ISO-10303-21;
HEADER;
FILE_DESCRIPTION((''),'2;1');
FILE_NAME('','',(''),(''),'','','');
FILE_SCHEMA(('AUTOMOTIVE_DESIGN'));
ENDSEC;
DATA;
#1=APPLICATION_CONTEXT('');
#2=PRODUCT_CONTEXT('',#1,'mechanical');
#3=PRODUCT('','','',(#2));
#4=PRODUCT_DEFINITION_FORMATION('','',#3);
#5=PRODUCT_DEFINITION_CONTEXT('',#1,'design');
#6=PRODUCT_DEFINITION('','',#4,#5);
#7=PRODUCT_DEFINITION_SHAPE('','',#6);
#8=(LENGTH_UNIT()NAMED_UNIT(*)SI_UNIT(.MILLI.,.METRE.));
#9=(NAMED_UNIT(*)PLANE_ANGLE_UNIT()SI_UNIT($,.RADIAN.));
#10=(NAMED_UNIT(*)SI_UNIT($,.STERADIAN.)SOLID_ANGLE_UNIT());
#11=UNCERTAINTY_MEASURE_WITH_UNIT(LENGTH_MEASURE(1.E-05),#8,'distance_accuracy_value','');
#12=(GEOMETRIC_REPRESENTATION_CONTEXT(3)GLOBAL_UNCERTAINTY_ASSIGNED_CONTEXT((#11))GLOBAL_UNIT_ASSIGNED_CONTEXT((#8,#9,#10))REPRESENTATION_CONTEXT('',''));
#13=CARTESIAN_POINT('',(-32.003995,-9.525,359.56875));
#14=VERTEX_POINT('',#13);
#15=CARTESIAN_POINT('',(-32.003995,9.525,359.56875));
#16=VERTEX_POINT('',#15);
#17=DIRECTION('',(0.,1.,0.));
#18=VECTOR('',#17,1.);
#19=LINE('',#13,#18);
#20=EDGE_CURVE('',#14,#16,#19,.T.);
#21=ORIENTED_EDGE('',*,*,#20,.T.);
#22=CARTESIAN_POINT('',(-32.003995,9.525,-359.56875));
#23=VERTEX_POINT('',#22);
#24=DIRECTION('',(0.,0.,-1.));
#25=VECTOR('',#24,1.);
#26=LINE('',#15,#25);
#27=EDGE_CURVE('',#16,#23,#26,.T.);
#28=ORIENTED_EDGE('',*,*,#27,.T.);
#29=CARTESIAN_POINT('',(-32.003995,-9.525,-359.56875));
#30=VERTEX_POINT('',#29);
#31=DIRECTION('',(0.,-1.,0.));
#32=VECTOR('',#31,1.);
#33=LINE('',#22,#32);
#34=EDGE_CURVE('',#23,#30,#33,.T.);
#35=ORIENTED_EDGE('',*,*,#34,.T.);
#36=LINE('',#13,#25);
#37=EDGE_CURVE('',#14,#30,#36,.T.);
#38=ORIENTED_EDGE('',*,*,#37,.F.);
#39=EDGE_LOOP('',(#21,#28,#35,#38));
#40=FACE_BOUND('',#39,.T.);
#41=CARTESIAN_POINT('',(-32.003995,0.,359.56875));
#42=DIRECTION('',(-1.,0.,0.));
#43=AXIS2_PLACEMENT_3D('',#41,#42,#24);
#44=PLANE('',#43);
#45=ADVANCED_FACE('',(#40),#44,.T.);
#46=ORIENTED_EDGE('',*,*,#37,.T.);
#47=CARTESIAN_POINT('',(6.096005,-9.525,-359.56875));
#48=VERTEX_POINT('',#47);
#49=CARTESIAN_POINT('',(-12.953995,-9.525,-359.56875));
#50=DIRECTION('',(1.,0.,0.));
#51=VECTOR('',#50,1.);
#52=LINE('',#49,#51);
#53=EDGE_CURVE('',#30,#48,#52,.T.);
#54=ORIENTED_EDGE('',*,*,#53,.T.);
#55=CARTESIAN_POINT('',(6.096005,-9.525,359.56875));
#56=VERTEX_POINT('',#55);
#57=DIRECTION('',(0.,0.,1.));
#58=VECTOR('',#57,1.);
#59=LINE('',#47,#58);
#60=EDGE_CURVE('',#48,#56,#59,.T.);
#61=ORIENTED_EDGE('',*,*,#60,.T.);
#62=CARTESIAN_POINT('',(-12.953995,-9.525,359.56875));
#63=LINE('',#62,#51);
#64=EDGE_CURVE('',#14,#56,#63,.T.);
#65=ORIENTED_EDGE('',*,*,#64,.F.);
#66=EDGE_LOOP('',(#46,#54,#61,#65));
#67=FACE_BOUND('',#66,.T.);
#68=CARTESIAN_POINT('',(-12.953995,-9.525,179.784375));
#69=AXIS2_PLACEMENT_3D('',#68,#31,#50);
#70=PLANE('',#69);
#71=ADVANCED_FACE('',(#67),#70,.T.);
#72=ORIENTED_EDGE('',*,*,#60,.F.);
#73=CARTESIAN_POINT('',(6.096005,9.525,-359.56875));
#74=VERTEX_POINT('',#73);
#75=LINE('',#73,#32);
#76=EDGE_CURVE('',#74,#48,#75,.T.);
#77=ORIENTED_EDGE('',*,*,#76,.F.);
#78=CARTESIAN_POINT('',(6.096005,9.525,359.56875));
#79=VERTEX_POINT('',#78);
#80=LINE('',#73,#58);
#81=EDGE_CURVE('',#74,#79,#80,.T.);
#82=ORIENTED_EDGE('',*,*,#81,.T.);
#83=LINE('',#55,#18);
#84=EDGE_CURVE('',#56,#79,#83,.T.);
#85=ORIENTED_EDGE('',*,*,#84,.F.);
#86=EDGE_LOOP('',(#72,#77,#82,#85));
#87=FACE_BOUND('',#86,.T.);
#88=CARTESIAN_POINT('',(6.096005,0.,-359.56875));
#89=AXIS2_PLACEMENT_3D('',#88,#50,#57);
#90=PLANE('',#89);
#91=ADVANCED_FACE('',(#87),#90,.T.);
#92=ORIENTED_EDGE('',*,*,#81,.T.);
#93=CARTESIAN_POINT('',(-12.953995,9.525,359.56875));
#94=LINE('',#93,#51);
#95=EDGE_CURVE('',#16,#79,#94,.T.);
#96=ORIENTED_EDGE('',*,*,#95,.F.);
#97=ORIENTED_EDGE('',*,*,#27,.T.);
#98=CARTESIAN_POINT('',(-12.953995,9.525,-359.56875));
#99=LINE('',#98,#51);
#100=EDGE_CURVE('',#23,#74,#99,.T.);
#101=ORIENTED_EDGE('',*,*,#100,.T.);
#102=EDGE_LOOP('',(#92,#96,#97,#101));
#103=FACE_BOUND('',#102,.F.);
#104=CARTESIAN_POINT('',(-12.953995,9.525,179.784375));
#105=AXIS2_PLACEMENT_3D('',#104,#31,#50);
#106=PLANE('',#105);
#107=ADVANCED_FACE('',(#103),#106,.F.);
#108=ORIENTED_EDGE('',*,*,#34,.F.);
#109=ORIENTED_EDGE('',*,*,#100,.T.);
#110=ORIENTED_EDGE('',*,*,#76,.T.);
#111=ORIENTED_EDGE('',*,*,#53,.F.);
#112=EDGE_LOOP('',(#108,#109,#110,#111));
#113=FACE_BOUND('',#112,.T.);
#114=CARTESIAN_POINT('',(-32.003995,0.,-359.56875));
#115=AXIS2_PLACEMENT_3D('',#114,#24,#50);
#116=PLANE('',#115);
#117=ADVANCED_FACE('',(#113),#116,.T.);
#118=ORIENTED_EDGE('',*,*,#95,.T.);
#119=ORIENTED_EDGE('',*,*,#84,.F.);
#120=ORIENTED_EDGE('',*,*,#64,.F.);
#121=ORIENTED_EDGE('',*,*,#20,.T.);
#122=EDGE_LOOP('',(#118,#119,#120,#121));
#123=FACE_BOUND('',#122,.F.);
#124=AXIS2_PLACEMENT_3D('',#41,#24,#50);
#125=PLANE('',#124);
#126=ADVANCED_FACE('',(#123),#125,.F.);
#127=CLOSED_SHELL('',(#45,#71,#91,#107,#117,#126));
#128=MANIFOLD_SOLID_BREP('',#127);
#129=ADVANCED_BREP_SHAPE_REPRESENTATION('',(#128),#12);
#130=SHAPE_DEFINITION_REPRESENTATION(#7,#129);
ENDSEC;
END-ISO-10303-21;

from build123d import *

# Parameters (mm, degrees)
F0_W     = 38.1
F0_H     = 359.56875
F1_DEPTH = 9.525


with BuildPart() as f1:
    # F0 (on Front) → F1 (new body, symmetric)
    with BuildSketch(Plane.XZ):
        with Locations((-12.9539953259, 179.784375)):
            Rectangle(F0_W, F0_H)
        with Locations((-12.9539953259, -179.784375)):
            Rectangle(F0_W, F0_H)
    extrude(amount=F1_DEPTH, both=True)


solid = f1.part
